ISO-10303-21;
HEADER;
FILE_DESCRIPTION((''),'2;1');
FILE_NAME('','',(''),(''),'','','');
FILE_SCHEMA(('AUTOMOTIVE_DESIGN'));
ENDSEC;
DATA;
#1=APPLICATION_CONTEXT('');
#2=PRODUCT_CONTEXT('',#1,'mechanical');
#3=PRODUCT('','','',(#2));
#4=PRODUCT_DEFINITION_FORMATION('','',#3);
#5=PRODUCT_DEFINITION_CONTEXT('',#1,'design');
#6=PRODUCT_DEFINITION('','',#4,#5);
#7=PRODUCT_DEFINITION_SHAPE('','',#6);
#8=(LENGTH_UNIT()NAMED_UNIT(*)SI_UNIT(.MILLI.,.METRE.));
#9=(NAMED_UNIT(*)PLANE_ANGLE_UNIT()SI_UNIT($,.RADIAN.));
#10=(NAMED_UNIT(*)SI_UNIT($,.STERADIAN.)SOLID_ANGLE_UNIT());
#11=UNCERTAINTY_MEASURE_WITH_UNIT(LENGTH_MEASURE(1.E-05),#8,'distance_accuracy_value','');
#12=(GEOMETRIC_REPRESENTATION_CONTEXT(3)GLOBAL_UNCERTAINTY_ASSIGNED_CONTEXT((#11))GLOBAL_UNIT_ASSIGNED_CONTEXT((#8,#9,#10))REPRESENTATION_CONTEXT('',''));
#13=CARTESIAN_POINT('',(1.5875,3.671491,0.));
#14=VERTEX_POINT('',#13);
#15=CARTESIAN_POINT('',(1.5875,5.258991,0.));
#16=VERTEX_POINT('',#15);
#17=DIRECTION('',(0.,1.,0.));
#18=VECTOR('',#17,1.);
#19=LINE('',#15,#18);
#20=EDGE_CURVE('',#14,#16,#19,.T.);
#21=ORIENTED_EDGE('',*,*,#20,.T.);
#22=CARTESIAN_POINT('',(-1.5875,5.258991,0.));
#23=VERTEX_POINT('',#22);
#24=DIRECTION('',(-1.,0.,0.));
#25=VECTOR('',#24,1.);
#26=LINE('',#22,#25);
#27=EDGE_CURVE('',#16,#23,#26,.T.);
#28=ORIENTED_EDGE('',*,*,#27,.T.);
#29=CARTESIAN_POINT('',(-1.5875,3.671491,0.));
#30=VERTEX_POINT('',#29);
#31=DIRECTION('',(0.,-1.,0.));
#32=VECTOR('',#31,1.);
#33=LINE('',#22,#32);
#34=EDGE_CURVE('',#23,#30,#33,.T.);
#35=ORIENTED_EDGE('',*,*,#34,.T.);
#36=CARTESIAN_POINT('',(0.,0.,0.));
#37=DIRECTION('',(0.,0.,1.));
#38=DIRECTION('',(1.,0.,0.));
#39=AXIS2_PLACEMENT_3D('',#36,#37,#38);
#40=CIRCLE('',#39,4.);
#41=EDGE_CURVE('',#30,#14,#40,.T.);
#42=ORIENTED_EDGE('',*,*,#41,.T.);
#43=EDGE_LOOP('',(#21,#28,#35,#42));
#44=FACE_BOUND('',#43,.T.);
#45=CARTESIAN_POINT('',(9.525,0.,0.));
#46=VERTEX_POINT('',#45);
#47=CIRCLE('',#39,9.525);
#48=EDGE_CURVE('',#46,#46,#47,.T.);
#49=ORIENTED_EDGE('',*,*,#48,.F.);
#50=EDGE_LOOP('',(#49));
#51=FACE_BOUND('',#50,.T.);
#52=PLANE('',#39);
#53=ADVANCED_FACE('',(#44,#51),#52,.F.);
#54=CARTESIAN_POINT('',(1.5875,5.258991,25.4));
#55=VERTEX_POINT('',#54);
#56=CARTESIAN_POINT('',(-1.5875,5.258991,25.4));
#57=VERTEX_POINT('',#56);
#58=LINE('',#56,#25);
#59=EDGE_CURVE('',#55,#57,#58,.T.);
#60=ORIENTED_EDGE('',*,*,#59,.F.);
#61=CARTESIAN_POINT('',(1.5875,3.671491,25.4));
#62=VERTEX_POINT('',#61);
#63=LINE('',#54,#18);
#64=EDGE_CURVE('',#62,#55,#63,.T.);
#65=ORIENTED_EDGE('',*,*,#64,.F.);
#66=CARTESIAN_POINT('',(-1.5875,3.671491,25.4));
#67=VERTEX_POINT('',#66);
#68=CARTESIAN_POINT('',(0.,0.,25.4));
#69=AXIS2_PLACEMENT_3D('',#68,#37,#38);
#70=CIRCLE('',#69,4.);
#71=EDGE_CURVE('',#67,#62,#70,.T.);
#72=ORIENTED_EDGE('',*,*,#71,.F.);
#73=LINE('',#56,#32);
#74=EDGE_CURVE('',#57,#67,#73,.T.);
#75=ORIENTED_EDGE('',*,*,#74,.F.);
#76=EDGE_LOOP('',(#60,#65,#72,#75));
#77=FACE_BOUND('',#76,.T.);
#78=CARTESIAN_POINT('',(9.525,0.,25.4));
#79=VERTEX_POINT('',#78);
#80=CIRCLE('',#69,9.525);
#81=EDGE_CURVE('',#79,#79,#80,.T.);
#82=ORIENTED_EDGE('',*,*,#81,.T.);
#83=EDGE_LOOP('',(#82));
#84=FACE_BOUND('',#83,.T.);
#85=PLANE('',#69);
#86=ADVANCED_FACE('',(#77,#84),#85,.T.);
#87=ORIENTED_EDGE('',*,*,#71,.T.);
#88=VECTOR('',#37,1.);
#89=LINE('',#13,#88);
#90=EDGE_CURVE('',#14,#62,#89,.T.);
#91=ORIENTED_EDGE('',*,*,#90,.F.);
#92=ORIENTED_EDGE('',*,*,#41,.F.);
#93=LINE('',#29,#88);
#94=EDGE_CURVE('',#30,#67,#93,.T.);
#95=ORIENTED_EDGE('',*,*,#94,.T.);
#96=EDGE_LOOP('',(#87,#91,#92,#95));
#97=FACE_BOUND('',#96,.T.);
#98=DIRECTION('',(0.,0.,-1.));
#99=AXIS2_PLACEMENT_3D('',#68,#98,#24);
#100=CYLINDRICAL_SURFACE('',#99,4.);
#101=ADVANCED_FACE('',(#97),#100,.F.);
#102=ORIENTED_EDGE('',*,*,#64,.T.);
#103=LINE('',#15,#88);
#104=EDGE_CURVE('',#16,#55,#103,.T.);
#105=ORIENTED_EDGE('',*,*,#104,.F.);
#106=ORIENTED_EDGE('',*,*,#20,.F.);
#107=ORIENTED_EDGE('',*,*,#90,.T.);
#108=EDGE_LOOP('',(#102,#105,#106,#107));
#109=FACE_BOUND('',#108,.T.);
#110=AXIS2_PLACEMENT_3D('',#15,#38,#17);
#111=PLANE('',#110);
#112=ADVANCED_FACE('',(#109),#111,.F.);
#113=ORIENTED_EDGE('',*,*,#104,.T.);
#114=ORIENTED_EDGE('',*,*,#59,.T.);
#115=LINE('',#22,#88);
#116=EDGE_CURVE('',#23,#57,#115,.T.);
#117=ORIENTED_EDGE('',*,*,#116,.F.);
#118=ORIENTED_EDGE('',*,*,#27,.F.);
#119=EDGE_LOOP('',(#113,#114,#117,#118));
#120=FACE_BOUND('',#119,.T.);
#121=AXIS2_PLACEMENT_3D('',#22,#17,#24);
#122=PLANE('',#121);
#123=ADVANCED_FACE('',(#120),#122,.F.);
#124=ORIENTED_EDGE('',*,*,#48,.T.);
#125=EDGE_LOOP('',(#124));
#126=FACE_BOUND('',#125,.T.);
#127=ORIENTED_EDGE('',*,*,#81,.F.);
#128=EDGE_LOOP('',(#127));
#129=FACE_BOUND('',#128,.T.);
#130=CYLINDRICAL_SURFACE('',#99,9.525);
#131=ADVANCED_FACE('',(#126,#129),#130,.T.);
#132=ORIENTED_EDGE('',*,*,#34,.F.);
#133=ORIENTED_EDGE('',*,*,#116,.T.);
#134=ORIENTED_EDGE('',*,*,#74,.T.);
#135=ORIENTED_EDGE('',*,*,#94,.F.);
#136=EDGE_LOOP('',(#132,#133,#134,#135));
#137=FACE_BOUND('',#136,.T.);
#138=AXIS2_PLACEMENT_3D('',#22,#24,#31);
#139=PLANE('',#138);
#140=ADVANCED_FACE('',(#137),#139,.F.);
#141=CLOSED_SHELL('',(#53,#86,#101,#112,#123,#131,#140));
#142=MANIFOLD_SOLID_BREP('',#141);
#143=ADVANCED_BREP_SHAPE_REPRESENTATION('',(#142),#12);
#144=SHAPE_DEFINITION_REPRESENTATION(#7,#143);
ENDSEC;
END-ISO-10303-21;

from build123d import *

# Parameters (mm, degrees)
SKETCH1_R           = 9.525
SKETCH1_R_2         = 4
BOSS_EXTRUDE1_DEPTH = 25.4
SKETCH2_W           = 3.175
SKETCH2_H           = 1.5875
CUT_EXTRUDE1_DEPTH  = 26.4


with BuildPart() as part:
    # Sketch1 → Boss-Extrude1 (new body)
    with BuildSketch(Plane.XY):
        Circle(SKETCH1_R)
        Circle(SKETCH1_R_2, mode=Mode.SUBTRACT)
    extrude(amount=BOSS_EXTRUDE1_DEPTH)

    # Sketch2 → Cut-Extrude1 (cut, through all)
    with BuildSketch(Plane.XY.offset(25.4)):
        with Locations((0, 4.465240671)):
            Rectangle(SKETCH2_W, SKETCH2_H)
    extrude(amount=-CUT_EXTRUDE1_DEPTH, mode=Mode.SUBTRACT)


solid = part.part
